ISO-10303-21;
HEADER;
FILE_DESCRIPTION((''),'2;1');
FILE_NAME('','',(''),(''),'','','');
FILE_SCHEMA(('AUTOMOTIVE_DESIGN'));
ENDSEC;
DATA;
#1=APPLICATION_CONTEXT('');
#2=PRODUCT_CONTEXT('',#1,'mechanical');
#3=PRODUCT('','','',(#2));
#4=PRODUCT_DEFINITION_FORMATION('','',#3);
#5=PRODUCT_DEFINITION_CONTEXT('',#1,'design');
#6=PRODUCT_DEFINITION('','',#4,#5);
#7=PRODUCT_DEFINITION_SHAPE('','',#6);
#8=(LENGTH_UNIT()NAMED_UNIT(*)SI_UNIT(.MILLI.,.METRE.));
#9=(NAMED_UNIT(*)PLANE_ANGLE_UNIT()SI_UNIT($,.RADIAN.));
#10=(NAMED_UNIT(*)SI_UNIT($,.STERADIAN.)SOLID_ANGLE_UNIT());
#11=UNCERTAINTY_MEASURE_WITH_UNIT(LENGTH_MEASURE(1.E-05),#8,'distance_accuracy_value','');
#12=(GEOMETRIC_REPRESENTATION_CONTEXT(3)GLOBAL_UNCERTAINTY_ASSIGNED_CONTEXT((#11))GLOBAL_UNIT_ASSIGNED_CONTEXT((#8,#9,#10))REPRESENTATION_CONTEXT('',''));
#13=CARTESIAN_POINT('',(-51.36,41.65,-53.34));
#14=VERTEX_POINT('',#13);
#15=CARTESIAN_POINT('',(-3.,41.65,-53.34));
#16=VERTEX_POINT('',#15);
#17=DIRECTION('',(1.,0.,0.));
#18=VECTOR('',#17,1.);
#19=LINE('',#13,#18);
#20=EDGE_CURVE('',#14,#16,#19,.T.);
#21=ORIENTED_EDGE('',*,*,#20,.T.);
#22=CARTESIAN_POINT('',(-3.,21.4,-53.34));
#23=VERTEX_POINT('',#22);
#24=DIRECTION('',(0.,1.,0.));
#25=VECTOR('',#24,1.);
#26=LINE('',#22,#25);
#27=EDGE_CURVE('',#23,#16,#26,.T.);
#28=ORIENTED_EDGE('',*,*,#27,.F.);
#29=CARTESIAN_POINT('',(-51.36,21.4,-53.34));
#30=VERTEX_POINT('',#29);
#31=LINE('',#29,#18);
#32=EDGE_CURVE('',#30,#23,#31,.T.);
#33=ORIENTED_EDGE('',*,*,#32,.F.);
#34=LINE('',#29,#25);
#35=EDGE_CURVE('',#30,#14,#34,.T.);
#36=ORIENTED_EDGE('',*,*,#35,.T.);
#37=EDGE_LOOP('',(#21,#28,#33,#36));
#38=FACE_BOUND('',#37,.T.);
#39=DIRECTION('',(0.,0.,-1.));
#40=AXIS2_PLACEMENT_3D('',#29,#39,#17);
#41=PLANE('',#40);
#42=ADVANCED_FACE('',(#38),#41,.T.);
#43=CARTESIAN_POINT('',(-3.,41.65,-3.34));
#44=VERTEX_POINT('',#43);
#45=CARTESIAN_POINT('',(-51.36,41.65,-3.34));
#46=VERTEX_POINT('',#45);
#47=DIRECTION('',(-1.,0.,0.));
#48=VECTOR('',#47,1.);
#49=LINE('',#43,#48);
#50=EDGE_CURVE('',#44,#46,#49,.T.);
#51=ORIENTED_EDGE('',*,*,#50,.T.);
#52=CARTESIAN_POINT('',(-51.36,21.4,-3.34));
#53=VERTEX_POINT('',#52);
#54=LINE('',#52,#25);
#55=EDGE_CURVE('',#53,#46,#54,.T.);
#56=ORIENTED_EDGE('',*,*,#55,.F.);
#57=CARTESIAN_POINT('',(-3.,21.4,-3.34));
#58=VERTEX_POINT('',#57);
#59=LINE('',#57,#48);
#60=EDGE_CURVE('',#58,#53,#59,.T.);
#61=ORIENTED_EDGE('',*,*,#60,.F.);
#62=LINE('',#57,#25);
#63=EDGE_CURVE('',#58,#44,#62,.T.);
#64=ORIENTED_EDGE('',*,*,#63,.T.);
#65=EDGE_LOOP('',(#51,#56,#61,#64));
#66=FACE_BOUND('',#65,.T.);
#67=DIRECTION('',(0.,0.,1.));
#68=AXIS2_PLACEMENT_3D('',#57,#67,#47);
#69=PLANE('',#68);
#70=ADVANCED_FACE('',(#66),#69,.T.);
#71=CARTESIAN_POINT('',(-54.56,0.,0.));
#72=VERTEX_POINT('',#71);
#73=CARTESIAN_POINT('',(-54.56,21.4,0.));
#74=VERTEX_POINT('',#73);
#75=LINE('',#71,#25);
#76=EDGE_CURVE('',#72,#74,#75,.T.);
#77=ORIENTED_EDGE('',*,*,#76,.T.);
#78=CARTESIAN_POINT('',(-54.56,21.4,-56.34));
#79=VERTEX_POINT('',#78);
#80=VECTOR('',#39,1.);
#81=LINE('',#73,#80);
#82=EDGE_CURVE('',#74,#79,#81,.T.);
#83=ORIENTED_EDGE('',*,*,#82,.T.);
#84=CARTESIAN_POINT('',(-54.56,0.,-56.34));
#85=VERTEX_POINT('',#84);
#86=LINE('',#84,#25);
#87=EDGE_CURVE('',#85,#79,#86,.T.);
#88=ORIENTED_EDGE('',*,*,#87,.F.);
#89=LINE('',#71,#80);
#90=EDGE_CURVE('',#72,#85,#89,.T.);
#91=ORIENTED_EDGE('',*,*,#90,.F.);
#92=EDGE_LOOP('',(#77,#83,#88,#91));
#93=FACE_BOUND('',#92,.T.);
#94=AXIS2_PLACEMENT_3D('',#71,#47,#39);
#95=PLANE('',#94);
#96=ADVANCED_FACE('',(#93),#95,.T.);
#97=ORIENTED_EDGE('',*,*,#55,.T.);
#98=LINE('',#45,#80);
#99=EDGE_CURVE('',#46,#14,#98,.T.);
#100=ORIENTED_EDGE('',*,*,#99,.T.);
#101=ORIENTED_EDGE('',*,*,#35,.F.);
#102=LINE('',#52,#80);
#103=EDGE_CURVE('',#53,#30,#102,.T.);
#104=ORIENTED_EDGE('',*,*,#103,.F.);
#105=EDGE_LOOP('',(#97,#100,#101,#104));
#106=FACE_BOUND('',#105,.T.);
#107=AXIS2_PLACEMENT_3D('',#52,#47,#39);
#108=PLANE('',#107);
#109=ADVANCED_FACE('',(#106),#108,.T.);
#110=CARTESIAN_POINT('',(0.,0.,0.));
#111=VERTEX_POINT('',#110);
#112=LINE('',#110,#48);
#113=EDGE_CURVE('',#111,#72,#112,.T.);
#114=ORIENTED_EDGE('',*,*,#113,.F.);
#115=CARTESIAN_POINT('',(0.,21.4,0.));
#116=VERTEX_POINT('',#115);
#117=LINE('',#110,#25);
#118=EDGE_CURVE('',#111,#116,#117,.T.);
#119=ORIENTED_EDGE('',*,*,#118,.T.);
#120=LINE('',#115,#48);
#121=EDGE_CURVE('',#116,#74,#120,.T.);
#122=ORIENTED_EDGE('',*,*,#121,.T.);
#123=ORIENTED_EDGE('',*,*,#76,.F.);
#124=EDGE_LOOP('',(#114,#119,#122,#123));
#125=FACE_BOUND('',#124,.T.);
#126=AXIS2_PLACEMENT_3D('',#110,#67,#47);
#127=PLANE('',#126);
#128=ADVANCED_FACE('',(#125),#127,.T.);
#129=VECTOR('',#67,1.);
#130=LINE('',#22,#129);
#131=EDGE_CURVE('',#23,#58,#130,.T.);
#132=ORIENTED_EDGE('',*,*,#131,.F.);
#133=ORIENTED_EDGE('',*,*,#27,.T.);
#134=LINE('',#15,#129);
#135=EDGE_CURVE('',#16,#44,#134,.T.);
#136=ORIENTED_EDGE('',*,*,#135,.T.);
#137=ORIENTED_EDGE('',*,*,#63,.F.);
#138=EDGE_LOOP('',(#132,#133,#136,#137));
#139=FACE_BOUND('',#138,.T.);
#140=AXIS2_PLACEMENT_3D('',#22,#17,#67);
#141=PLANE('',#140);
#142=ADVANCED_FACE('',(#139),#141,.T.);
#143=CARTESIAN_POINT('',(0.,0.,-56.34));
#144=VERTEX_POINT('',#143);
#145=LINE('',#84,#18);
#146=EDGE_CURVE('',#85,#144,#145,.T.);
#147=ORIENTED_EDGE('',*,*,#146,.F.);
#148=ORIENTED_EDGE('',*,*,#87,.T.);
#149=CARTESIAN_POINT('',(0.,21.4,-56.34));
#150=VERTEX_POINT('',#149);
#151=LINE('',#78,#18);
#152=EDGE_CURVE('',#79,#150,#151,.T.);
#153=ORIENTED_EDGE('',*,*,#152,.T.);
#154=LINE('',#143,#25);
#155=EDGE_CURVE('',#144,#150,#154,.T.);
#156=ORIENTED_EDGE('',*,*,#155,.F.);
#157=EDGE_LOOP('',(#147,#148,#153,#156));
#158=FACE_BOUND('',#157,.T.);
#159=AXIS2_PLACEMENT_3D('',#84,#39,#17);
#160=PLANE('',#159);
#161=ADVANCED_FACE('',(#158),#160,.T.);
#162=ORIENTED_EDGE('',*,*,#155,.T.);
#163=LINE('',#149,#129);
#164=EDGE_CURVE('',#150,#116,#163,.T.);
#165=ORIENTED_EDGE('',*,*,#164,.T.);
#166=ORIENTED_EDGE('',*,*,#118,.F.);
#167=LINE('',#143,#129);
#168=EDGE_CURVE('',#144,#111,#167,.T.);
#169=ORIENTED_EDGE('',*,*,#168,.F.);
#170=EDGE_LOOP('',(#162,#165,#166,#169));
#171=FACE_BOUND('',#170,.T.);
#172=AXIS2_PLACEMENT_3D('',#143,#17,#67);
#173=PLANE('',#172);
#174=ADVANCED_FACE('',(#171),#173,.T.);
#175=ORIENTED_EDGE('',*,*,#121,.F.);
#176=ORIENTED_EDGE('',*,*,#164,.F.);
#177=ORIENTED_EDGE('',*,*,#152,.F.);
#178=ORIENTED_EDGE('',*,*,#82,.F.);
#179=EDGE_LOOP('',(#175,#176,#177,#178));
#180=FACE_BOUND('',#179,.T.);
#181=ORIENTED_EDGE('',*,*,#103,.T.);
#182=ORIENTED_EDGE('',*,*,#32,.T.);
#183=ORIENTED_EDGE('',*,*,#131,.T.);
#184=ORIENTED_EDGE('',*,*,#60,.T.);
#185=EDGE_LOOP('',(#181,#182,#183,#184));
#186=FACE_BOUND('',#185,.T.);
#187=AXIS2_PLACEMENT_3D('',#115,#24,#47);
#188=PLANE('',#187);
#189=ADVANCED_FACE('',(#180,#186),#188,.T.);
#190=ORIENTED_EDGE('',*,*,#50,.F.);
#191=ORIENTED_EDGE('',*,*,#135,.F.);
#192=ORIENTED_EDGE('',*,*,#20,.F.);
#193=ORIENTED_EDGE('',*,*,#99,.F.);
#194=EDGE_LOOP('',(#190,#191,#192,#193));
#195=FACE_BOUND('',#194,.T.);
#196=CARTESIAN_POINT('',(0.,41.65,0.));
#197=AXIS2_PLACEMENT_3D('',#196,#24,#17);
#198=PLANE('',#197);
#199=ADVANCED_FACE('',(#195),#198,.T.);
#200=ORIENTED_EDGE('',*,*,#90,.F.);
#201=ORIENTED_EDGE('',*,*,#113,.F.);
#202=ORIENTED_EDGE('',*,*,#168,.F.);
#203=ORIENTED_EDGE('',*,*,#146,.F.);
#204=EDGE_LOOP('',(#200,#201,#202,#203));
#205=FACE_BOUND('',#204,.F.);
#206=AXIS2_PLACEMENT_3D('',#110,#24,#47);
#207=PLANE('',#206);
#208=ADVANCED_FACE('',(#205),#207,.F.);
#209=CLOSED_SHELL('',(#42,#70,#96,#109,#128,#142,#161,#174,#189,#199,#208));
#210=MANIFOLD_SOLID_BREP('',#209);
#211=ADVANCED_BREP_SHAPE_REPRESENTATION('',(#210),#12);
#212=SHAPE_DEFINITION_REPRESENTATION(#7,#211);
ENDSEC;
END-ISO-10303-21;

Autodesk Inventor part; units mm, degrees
ref_plane "YZ Plane" through (0, 0, 0) normal (1, 0, 0) x (0, 1, 0)
ref_plane "XZ Plane" through (0, 0, 0) normal (0, 1, 0) x (-1, 0, 0)
ref_plane "XY Plane" through (0, 0, 0) normal (0, 0, 1) x (1, 0, 0)
sketch "Sketch1" plane through (0, 0, 0) normal (0, 1, 0) x (-1, 0, 0)
  line L0 (0, 0) -> (54.56, 0)
  line L1 (54.56, 0) -> (54.56, -56.34)
  line L2 (54.56, -56.34) -> (0, -56.34)
  line L3 (0, -56.34) -> (0, 0)
  dimension "d0" = 56.34
  dimension "d1" = 54.56
extrude "Extrusion1" add sketch "Sketch1" along normal blind 21.4
sketch "Sketch2" plane through (0, 21.4, 0) normal (0, 1, 0) x (1, 0, 0)
  line L0 (0, 0) -> (0, 56.34) projected
  line L1 (0, 56.34) -> (-54.56, 56.34) projected
  line L2 (-51.36, 53.34) -> (-3, 53.34)
  line L3 (-3, 53.34) -> (-3, 3.34)
  line L4 (-3, 3.34) -> (-51.36, 3.34)
  line L5 (-51.36, 3.34) -> (-51.36, 53.34)
  dimension "d4" = 48.36
  dimension "d5" = 50
  dimension "d6" = 3
  dimension "d7" = 3
extrude "Extrusion2" add sketch "Sketch2" along normal blind 20.25
properties part number "hobbyking150acaresc"
